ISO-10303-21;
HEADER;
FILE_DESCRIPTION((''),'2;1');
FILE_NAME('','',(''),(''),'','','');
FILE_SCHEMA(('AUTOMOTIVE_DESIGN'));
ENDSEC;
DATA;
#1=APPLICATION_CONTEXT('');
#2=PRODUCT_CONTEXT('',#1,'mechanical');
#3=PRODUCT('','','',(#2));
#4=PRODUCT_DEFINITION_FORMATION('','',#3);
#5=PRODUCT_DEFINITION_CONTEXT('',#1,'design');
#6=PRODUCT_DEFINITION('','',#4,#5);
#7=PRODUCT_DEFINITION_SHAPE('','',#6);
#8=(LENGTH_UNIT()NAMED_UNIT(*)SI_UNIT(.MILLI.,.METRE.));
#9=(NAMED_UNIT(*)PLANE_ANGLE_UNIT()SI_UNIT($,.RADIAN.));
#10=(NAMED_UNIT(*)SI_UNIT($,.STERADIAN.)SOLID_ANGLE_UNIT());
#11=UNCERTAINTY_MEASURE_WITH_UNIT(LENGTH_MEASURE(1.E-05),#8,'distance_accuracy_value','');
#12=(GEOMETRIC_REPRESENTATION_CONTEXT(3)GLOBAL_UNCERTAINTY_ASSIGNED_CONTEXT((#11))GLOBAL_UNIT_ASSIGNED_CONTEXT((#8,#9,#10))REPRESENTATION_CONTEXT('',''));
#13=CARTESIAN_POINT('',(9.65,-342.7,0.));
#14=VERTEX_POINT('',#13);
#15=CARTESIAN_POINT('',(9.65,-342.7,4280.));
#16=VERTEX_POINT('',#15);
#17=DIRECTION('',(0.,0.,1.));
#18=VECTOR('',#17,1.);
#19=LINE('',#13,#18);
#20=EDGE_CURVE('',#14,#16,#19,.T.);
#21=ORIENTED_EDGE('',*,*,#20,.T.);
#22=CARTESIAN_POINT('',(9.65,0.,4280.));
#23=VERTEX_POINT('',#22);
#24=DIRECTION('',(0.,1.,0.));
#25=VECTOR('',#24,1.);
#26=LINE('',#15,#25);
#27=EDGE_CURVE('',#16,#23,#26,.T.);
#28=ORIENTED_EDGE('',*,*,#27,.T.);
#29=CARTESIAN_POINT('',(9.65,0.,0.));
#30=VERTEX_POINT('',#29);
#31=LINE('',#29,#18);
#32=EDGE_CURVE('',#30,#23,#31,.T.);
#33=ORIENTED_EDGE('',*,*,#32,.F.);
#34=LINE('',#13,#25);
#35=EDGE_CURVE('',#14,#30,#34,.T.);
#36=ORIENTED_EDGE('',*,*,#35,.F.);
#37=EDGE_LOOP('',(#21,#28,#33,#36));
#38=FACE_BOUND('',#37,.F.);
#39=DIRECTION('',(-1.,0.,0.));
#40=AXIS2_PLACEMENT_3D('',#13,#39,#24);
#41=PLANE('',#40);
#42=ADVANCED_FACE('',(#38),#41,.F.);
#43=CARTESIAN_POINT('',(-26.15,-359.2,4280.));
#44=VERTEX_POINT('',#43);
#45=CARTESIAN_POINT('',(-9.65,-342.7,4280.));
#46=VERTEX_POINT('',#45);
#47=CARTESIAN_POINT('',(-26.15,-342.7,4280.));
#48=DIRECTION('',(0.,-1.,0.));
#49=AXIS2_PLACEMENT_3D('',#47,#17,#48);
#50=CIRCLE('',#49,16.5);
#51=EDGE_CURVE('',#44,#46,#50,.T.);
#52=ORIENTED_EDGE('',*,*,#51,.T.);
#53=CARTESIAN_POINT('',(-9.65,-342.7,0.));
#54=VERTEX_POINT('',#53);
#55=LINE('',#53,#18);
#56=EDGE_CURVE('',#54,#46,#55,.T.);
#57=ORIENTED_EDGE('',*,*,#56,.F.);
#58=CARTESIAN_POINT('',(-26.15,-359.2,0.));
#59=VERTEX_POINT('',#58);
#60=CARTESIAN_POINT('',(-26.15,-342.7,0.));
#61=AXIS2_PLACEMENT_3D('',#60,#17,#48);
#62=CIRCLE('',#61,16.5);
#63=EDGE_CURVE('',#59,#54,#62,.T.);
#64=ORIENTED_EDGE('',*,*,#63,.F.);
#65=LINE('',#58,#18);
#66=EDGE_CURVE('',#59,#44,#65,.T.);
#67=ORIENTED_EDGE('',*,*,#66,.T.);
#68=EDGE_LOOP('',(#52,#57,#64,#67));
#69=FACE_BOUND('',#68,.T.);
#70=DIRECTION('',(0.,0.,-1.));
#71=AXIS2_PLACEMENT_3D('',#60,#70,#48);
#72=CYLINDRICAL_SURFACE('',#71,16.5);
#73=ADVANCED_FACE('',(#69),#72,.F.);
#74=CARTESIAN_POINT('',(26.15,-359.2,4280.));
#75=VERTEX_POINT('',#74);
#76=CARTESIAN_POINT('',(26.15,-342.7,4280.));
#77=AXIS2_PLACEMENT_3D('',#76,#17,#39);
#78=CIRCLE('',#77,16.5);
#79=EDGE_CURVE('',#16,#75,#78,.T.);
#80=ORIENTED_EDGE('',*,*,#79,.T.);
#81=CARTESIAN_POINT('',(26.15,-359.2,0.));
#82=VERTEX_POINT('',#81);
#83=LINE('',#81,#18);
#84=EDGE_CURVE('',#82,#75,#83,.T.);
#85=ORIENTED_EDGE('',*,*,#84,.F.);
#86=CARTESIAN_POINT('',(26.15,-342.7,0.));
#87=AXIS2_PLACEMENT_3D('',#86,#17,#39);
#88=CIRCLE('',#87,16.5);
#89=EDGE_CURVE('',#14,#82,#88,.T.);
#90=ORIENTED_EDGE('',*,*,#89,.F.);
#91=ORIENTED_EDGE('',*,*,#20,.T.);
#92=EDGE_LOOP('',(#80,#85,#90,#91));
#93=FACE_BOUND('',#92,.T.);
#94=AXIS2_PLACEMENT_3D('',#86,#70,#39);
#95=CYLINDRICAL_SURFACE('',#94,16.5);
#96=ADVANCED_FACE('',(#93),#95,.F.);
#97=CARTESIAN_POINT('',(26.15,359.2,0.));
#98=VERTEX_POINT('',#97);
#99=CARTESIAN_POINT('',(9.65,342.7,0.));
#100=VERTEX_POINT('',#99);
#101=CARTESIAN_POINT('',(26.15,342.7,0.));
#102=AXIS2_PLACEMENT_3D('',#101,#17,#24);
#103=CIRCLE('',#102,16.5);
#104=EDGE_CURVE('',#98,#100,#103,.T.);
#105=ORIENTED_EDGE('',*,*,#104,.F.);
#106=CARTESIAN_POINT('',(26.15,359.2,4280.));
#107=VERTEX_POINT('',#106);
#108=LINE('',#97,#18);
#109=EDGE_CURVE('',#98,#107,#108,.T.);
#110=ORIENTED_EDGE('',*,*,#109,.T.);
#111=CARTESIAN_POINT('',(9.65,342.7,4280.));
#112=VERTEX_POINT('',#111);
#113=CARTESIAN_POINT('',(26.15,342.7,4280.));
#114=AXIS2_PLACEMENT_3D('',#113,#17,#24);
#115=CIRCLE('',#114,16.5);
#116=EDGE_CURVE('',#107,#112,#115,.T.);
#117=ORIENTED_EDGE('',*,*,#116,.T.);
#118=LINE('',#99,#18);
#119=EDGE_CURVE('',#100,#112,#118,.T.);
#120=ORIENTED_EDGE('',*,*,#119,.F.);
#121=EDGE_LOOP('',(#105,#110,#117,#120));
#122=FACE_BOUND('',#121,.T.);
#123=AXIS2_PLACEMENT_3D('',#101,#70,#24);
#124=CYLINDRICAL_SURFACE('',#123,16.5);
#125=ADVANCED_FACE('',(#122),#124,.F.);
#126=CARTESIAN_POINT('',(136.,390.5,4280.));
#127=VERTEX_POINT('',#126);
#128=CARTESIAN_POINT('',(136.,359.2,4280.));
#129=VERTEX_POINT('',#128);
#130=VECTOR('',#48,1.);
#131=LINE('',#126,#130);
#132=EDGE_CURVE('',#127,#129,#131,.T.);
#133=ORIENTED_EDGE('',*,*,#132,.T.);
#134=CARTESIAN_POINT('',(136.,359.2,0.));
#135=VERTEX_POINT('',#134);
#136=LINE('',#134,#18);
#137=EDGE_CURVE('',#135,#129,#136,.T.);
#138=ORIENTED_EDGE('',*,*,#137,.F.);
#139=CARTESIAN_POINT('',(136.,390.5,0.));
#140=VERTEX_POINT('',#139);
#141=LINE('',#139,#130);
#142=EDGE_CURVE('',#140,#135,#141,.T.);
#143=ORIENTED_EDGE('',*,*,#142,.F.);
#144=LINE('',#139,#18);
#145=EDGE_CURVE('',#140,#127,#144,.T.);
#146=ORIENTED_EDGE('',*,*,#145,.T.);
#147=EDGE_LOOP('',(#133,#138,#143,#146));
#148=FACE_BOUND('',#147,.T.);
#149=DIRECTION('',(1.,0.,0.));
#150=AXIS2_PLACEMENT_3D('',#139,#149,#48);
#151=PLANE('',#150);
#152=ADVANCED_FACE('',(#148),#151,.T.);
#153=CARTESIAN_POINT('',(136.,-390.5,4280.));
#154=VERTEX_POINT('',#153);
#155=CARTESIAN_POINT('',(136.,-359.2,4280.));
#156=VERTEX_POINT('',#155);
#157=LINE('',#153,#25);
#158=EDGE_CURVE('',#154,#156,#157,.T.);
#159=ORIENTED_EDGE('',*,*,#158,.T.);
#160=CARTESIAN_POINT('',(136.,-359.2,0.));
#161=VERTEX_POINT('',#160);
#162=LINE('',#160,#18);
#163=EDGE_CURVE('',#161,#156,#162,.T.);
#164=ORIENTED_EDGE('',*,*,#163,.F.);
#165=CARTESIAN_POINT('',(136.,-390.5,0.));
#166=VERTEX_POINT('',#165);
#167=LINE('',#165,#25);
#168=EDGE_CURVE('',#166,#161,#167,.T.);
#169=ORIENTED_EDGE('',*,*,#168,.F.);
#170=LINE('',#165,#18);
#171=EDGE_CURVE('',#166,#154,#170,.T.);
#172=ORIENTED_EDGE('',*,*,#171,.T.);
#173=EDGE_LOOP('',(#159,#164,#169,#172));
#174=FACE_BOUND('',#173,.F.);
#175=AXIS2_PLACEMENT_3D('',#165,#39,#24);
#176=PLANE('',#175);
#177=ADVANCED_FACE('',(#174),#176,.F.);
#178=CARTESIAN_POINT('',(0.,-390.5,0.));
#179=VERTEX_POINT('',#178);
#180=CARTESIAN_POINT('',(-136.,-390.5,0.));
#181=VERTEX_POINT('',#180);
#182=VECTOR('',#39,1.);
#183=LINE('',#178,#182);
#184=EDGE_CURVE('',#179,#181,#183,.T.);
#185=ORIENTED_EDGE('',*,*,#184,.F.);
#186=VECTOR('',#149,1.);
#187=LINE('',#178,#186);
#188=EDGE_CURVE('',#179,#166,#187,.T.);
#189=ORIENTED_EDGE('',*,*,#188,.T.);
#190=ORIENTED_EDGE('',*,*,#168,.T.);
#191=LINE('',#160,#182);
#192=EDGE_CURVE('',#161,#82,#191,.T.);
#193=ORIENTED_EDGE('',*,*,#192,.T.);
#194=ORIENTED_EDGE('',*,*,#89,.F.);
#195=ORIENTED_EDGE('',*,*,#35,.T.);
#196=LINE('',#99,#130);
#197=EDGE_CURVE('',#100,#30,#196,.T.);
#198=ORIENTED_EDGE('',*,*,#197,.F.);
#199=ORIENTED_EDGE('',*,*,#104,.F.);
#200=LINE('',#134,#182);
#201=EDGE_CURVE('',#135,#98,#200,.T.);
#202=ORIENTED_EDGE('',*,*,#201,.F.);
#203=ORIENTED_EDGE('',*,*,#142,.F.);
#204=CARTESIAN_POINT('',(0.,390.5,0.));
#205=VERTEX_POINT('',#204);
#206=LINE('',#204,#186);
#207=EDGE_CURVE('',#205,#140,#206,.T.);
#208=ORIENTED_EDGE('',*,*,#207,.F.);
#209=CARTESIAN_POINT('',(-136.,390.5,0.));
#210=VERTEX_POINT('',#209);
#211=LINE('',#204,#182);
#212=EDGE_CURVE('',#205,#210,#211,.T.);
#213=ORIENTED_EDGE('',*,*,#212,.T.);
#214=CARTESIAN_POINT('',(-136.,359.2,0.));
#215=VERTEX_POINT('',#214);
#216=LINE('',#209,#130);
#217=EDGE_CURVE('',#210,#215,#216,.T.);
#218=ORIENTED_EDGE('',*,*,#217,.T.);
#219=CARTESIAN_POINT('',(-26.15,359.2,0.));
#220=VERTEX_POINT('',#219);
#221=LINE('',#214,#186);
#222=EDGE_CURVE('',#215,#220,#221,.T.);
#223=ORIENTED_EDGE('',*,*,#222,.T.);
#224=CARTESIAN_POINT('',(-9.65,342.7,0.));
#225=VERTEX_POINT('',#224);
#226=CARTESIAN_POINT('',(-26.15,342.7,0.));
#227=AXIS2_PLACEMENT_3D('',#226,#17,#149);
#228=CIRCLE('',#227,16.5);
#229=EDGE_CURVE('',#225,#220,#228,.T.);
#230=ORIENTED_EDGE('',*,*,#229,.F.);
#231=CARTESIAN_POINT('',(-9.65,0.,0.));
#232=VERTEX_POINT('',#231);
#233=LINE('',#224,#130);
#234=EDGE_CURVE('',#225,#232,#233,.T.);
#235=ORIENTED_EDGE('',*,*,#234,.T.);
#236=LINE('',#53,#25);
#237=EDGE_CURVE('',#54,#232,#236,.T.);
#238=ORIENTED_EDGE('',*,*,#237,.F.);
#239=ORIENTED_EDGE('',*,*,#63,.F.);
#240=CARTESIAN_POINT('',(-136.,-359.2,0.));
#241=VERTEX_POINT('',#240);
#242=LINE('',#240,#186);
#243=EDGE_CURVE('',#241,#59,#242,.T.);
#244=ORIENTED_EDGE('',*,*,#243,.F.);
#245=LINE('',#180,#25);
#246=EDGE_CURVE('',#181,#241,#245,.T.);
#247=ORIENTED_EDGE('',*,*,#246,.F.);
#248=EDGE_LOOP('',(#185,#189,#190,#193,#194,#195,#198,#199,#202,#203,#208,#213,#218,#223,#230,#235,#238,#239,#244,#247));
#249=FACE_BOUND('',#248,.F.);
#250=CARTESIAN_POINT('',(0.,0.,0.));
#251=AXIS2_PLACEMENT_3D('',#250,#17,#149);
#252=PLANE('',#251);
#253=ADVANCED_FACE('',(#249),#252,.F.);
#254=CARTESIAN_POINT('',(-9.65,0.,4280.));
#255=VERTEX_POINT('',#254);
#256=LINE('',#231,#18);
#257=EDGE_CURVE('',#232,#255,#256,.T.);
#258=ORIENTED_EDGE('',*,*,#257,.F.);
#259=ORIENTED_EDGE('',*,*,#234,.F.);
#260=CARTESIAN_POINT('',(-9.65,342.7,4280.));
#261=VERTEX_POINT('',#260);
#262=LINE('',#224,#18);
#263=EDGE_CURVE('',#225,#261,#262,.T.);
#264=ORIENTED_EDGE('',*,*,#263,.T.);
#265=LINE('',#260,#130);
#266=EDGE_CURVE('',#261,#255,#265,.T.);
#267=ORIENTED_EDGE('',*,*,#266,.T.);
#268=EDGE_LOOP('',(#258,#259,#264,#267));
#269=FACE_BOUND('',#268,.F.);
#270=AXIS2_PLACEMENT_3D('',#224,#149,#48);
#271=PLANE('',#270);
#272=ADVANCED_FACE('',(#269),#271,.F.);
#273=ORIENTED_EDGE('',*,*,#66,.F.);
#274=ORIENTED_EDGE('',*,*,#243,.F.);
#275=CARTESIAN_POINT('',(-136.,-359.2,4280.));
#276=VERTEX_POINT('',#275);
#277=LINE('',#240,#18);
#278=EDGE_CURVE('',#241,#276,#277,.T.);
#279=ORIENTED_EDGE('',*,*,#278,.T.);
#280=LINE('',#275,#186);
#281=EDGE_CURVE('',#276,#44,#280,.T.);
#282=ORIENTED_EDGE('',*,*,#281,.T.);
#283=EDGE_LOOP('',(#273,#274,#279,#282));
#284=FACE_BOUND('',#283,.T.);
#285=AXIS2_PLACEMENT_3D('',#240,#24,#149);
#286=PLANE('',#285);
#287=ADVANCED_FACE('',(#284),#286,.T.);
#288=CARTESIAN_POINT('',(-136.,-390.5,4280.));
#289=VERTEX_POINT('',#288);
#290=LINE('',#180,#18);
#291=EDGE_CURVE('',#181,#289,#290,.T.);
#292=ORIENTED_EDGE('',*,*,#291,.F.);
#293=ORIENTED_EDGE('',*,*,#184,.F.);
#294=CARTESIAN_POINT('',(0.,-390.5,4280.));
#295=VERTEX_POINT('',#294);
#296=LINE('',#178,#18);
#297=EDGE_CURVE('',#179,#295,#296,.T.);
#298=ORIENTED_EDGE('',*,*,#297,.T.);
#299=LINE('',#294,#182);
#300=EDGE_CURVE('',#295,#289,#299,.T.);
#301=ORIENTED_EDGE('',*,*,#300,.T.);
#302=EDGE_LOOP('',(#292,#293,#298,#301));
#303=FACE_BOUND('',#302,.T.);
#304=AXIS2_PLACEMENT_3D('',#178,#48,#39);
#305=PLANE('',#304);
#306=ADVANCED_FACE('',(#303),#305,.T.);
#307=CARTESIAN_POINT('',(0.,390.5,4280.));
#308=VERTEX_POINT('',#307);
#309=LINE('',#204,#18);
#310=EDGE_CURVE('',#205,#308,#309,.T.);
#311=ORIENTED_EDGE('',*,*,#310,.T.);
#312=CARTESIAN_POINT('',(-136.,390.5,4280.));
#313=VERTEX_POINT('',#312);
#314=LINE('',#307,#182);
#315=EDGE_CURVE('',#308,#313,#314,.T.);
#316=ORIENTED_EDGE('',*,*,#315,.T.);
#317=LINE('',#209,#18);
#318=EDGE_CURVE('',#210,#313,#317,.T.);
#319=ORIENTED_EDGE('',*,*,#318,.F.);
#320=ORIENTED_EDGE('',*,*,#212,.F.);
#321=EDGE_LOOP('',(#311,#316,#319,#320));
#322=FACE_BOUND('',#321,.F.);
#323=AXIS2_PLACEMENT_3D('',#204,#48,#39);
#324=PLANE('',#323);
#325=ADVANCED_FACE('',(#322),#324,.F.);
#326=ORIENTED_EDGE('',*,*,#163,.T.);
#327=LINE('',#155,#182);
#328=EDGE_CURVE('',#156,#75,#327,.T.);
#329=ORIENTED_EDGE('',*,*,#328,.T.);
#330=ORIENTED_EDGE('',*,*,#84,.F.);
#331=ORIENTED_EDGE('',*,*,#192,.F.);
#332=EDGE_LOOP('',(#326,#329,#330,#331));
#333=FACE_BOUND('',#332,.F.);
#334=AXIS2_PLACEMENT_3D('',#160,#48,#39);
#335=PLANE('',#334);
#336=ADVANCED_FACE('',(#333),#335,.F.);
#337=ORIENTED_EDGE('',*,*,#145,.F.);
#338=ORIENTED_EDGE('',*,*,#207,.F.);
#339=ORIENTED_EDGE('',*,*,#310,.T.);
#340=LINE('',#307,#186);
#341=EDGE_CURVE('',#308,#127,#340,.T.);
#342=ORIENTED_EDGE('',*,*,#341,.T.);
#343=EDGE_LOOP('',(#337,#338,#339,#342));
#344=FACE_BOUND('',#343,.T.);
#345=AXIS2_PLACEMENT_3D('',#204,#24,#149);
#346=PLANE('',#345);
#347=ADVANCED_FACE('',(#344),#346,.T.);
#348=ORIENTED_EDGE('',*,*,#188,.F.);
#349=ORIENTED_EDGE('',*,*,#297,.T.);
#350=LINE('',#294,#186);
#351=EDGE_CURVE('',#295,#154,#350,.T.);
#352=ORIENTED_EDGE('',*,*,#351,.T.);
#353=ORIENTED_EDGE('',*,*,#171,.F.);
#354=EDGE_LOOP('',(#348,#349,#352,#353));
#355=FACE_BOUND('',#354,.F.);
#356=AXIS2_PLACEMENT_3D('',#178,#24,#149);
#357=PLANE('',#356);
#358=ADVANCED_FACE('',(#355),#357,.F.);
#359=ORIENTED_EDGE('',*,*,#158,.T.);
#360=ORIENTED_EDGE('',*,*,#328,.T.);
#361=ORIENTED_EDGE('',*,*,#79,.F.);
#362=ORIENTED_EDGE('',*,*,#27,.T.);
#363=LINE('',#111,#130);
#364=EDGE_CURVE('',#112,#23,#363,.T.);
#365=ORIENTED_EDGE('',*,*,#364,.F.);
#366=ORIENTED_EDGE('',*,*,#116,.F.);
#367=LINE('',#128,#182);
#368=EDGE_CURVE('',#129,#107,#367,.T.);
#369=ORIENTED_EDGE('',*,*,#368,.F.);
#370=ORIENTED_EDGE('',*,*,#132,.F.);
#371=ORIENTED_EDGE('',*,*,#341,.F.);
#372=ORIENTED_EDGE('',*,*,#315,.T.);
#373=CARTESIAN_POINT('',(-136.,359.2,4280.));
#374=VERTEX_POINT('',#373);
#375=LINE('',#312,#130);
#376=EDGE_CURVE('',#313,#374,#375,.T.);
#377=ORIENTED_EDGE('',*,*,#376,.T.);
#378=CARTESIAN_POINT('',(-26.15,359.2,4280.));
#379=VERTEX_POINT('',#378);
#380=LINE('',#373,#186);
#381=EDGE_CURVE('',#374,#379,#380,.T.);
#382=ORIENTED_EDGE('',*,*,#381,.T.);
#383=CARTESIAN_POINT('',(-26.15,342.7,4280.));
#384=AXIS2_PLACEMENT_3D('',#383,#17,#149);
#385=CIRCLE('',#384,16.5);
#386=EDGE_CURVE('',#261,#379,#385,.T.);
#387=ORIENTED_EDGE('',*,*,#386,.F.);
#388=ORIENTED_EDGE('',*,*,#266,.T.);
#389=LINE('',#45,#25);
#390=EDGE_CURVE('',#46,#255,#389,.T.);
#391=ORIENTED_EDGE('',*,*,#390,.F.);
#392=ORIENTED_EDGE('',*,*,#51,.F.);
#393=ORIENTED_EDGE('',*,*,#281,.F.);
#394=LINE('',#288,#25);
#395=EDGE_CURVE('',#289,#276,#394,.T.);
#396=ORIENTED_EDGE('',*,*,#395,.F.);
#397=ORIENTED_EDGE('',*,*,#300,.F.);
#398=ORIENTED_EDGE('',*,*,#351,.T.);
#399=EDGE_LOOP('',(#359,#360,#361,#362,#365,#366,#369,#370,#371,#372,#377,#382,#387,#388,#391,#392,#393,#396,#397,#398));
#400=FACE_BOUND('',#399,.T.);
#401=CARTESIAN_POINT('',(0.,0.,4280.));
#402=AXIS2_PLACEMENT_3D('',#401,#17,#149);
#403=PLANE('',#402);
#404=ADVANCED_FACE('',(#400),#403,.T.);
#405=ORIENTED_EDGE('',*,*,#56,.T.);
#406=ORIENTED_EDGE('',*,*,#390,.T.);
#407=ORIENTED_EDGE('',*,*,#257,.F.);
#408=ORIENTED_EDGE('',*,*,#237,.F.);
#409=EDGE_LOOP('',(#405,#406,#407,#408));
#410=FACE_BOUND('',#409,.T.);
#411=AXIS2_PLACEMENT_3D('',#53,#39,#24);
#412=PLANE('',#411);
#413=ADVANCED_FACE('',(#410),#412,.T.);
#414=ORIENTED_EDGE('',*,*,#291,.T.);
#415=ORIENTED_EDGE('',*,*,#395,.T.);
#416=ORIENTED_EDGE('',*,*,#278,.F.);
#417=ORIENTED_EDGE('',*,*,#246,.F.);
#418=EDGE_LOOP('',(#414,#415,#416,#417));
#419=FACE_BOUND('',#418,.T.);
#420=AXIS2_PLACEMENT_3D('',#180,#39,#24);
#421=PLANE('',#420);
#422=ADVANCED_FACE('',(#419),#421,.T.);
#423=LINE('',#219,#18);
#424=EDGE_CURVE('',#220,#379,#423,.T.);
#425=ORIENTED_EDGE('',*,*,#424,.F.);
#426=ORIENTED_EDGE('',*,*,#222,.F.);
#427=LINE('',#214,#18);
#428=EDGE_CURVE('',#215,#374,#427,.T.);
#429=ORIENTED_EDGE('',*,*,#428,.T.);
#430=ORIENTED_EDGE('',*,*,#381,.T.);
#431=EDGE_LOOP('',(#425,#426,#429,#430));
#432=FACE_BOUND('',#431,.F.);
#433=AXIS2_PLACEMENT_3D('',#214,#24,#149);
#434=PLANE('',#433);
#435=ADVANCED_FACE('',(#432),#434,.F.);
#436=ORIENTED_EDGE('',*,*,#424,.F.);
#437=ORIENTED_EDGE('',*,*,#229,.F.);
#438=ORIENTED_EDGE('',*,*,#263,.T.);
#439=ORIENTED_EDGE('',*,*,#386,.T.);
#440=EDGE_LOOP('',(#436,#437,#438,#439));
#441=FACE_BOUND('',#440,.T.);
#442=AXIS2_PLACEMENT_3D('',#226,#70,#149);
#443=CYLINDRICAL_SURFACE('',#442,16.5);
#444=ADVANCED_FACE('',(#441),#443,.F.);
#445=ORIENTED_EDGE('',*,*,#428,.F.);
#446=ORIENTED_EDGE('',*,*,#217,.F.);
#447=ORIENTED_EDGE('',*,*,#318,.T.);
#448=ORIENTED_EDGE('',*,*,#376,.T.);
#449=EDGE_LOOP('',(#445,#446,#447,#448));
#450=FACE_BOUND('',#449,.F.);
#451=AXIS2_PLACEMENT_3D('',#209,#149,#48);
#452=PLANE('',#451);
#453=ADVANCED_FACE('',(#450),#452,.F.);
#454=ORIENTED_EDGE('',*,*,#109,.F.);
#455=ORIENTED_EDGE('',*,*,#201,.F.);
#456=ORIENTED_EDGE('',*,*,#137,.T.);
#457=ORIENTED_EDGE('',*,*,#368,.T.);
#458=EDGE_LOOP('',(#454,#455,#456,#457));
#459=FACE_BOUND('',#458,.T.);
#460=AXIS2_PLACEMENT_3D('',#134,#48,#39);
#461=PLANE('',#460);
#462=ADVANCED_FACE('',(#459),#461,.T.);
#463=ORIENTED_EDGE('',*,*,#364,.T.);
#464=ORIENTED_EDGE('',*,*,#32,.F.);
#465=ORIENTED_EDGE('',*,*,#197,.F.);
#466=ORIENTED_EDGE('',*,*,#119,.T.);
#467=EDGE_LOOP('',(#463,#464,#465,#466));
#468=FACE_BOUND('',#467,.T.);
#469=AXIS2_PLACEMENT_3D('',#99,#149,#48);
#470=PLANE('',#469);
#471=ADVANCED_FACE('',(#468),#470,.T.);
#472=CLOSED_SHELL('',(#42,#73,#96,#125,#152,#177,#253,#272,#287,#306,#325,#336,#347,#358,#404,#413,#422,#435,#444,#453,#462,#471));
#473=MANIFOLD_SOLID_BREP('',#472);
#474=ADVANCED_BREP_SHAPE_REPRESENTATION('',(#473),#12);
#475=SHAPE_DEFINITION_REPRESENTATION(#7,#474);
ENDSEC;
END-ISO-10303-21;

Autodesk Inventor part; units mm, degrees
ref_plane "YZ Plane" through (0, 0, 0) normal (1, 0, 0) x (0, 1, 0)
ref_plane "Start plane" through (0, 0, 0) normal (0, 0, 1) x (1, 0, 0)
ref_plane "End plane" through (0, 0, 4280) normal (0, 0, 1) x (1, 0, 0)
sketch "Sketch" plane through (0, 0, 0) normal (0, 0, 1) x (1, 0, 0)
  line L0 (-136, -390.5) -> (-136, -359.2)
  line L1 (-136, -359.2) -> (-26.15, -359.2)
  line L2 (-9.65, -342.7) -> (-9.65, 0)
  line L3 (-9.65, 0) -> (0, 0) construction
  line L4 (0, 0) -> (0, -390.5) construction
  line L5 (0, -390.5) -> (-136, -390.5)
  line L6 (-60, 0) -> (80, 0) construction
  line L7 (0, -60) -> (0, 80) construction
  line L8 (136, -390.5) -> (136, -359.2)
  line L9 (136, -359.2) -> (26.15, -359.2)
  line L10 (9.65, -342.7) -> (9.65, 0)
  line L11 (9.65, 0) -> (0, 0) construction
  line L12 (0, -390.5) -> (136, -390.5)
  line L13 (-136, 390.5) -> (-136, 359.2)
  line L14 (-136, 359.2) -> (-26.15, 359.2)
  line L15 (-9.65, 342.7) -> (-9.65, 0)
  line L16 (0, 390.5) -> (-136, 390.5)
  line L17 (136, 390.5) -> (136, 359.2)
  line L18 (136, 359.2) -> (26.15, 359.2)
  line L19 (0, 390.5) -> (136, 390.5)
  line L20 (9.65, 342.7) -> (9.65, 0)
  arc A0 (-9.65, 342.7) -> (-26.15, 359.2) centre (-26.15, 342.7) ccw
  arc A1 (26.15, 359.2) -> (9.65, 342.7) centre (26.15, 342.7) ccw
  arc A2 (9.65, -342.7) -> (26.15, -359.2) centre (26.15, -342.7) ccw
  arc A3 (-26.15, -359.2) -> (-9.65, -342.7) centre (-26.15, -342.7) ccw
  line L21 (0, 108) -> (0, -88) construction
  line L22 (-88, 0) -> (108, 0) construction
  point P0 (-9.65, -359.2)
  point P1 (9.65, -359.2)
  point P2 (-9.65, 359.2)
  point P3 (9.65, 359.2)
  dimension "d1" = 390.5
  dimension "d2" = 31.3
  dimension "d3" = 136
  dimension "d4" = 9.65
  dimension "d10" = 16.5
extrude "Body" add sketch "Sketch" along normal up to surface (4280 mm away) from surface at 0
sketch "Sketch4" plane through (0, 0, 0) normal (0, 0, 1) x (1, 0, 0)
  line L0 (0, 0) -> (10, 0)
ref_plane "Work Plane3" through (0, 0, 0) normal (0, -1, 0) x (1, 0, 0)
sketch "Sketch5" plane through (0, 0, 0) normal (0, -1, 0) x (1, 0, 0)
  line L0 (-2, 0) -> (12, 0) projected
  line L1 (-2, 4280) -> (12, 4280) projected
  dimension "d14" = 4280
equation "\"d1\" = 0.5 * G_H"
equation "\"d2\" = G_T1"
equation "\"d3\" = 0.5 * G_W"
equation "\"d4\" = 0.5 * G_T"
equation "\"d10\" = G_IR"
equation "\"d5\" = G_L"
equation "\"G_W\" = 272"
equation "\"G_H\" = 781"
equation "\"G_T\" = 19.3"
equation "\"G_T1\" = 31.3"
equation "\"G_IR\" = 16.5"
equation "\"G_L\" = d14"
equation "\"G_OFFSET_START\" = 0"
equation "\"G_OFFSET_END\" = 0"
properties part number "AS 3679-1990 - 760 UB - 244 - 4280" material "Steel, Mild"
